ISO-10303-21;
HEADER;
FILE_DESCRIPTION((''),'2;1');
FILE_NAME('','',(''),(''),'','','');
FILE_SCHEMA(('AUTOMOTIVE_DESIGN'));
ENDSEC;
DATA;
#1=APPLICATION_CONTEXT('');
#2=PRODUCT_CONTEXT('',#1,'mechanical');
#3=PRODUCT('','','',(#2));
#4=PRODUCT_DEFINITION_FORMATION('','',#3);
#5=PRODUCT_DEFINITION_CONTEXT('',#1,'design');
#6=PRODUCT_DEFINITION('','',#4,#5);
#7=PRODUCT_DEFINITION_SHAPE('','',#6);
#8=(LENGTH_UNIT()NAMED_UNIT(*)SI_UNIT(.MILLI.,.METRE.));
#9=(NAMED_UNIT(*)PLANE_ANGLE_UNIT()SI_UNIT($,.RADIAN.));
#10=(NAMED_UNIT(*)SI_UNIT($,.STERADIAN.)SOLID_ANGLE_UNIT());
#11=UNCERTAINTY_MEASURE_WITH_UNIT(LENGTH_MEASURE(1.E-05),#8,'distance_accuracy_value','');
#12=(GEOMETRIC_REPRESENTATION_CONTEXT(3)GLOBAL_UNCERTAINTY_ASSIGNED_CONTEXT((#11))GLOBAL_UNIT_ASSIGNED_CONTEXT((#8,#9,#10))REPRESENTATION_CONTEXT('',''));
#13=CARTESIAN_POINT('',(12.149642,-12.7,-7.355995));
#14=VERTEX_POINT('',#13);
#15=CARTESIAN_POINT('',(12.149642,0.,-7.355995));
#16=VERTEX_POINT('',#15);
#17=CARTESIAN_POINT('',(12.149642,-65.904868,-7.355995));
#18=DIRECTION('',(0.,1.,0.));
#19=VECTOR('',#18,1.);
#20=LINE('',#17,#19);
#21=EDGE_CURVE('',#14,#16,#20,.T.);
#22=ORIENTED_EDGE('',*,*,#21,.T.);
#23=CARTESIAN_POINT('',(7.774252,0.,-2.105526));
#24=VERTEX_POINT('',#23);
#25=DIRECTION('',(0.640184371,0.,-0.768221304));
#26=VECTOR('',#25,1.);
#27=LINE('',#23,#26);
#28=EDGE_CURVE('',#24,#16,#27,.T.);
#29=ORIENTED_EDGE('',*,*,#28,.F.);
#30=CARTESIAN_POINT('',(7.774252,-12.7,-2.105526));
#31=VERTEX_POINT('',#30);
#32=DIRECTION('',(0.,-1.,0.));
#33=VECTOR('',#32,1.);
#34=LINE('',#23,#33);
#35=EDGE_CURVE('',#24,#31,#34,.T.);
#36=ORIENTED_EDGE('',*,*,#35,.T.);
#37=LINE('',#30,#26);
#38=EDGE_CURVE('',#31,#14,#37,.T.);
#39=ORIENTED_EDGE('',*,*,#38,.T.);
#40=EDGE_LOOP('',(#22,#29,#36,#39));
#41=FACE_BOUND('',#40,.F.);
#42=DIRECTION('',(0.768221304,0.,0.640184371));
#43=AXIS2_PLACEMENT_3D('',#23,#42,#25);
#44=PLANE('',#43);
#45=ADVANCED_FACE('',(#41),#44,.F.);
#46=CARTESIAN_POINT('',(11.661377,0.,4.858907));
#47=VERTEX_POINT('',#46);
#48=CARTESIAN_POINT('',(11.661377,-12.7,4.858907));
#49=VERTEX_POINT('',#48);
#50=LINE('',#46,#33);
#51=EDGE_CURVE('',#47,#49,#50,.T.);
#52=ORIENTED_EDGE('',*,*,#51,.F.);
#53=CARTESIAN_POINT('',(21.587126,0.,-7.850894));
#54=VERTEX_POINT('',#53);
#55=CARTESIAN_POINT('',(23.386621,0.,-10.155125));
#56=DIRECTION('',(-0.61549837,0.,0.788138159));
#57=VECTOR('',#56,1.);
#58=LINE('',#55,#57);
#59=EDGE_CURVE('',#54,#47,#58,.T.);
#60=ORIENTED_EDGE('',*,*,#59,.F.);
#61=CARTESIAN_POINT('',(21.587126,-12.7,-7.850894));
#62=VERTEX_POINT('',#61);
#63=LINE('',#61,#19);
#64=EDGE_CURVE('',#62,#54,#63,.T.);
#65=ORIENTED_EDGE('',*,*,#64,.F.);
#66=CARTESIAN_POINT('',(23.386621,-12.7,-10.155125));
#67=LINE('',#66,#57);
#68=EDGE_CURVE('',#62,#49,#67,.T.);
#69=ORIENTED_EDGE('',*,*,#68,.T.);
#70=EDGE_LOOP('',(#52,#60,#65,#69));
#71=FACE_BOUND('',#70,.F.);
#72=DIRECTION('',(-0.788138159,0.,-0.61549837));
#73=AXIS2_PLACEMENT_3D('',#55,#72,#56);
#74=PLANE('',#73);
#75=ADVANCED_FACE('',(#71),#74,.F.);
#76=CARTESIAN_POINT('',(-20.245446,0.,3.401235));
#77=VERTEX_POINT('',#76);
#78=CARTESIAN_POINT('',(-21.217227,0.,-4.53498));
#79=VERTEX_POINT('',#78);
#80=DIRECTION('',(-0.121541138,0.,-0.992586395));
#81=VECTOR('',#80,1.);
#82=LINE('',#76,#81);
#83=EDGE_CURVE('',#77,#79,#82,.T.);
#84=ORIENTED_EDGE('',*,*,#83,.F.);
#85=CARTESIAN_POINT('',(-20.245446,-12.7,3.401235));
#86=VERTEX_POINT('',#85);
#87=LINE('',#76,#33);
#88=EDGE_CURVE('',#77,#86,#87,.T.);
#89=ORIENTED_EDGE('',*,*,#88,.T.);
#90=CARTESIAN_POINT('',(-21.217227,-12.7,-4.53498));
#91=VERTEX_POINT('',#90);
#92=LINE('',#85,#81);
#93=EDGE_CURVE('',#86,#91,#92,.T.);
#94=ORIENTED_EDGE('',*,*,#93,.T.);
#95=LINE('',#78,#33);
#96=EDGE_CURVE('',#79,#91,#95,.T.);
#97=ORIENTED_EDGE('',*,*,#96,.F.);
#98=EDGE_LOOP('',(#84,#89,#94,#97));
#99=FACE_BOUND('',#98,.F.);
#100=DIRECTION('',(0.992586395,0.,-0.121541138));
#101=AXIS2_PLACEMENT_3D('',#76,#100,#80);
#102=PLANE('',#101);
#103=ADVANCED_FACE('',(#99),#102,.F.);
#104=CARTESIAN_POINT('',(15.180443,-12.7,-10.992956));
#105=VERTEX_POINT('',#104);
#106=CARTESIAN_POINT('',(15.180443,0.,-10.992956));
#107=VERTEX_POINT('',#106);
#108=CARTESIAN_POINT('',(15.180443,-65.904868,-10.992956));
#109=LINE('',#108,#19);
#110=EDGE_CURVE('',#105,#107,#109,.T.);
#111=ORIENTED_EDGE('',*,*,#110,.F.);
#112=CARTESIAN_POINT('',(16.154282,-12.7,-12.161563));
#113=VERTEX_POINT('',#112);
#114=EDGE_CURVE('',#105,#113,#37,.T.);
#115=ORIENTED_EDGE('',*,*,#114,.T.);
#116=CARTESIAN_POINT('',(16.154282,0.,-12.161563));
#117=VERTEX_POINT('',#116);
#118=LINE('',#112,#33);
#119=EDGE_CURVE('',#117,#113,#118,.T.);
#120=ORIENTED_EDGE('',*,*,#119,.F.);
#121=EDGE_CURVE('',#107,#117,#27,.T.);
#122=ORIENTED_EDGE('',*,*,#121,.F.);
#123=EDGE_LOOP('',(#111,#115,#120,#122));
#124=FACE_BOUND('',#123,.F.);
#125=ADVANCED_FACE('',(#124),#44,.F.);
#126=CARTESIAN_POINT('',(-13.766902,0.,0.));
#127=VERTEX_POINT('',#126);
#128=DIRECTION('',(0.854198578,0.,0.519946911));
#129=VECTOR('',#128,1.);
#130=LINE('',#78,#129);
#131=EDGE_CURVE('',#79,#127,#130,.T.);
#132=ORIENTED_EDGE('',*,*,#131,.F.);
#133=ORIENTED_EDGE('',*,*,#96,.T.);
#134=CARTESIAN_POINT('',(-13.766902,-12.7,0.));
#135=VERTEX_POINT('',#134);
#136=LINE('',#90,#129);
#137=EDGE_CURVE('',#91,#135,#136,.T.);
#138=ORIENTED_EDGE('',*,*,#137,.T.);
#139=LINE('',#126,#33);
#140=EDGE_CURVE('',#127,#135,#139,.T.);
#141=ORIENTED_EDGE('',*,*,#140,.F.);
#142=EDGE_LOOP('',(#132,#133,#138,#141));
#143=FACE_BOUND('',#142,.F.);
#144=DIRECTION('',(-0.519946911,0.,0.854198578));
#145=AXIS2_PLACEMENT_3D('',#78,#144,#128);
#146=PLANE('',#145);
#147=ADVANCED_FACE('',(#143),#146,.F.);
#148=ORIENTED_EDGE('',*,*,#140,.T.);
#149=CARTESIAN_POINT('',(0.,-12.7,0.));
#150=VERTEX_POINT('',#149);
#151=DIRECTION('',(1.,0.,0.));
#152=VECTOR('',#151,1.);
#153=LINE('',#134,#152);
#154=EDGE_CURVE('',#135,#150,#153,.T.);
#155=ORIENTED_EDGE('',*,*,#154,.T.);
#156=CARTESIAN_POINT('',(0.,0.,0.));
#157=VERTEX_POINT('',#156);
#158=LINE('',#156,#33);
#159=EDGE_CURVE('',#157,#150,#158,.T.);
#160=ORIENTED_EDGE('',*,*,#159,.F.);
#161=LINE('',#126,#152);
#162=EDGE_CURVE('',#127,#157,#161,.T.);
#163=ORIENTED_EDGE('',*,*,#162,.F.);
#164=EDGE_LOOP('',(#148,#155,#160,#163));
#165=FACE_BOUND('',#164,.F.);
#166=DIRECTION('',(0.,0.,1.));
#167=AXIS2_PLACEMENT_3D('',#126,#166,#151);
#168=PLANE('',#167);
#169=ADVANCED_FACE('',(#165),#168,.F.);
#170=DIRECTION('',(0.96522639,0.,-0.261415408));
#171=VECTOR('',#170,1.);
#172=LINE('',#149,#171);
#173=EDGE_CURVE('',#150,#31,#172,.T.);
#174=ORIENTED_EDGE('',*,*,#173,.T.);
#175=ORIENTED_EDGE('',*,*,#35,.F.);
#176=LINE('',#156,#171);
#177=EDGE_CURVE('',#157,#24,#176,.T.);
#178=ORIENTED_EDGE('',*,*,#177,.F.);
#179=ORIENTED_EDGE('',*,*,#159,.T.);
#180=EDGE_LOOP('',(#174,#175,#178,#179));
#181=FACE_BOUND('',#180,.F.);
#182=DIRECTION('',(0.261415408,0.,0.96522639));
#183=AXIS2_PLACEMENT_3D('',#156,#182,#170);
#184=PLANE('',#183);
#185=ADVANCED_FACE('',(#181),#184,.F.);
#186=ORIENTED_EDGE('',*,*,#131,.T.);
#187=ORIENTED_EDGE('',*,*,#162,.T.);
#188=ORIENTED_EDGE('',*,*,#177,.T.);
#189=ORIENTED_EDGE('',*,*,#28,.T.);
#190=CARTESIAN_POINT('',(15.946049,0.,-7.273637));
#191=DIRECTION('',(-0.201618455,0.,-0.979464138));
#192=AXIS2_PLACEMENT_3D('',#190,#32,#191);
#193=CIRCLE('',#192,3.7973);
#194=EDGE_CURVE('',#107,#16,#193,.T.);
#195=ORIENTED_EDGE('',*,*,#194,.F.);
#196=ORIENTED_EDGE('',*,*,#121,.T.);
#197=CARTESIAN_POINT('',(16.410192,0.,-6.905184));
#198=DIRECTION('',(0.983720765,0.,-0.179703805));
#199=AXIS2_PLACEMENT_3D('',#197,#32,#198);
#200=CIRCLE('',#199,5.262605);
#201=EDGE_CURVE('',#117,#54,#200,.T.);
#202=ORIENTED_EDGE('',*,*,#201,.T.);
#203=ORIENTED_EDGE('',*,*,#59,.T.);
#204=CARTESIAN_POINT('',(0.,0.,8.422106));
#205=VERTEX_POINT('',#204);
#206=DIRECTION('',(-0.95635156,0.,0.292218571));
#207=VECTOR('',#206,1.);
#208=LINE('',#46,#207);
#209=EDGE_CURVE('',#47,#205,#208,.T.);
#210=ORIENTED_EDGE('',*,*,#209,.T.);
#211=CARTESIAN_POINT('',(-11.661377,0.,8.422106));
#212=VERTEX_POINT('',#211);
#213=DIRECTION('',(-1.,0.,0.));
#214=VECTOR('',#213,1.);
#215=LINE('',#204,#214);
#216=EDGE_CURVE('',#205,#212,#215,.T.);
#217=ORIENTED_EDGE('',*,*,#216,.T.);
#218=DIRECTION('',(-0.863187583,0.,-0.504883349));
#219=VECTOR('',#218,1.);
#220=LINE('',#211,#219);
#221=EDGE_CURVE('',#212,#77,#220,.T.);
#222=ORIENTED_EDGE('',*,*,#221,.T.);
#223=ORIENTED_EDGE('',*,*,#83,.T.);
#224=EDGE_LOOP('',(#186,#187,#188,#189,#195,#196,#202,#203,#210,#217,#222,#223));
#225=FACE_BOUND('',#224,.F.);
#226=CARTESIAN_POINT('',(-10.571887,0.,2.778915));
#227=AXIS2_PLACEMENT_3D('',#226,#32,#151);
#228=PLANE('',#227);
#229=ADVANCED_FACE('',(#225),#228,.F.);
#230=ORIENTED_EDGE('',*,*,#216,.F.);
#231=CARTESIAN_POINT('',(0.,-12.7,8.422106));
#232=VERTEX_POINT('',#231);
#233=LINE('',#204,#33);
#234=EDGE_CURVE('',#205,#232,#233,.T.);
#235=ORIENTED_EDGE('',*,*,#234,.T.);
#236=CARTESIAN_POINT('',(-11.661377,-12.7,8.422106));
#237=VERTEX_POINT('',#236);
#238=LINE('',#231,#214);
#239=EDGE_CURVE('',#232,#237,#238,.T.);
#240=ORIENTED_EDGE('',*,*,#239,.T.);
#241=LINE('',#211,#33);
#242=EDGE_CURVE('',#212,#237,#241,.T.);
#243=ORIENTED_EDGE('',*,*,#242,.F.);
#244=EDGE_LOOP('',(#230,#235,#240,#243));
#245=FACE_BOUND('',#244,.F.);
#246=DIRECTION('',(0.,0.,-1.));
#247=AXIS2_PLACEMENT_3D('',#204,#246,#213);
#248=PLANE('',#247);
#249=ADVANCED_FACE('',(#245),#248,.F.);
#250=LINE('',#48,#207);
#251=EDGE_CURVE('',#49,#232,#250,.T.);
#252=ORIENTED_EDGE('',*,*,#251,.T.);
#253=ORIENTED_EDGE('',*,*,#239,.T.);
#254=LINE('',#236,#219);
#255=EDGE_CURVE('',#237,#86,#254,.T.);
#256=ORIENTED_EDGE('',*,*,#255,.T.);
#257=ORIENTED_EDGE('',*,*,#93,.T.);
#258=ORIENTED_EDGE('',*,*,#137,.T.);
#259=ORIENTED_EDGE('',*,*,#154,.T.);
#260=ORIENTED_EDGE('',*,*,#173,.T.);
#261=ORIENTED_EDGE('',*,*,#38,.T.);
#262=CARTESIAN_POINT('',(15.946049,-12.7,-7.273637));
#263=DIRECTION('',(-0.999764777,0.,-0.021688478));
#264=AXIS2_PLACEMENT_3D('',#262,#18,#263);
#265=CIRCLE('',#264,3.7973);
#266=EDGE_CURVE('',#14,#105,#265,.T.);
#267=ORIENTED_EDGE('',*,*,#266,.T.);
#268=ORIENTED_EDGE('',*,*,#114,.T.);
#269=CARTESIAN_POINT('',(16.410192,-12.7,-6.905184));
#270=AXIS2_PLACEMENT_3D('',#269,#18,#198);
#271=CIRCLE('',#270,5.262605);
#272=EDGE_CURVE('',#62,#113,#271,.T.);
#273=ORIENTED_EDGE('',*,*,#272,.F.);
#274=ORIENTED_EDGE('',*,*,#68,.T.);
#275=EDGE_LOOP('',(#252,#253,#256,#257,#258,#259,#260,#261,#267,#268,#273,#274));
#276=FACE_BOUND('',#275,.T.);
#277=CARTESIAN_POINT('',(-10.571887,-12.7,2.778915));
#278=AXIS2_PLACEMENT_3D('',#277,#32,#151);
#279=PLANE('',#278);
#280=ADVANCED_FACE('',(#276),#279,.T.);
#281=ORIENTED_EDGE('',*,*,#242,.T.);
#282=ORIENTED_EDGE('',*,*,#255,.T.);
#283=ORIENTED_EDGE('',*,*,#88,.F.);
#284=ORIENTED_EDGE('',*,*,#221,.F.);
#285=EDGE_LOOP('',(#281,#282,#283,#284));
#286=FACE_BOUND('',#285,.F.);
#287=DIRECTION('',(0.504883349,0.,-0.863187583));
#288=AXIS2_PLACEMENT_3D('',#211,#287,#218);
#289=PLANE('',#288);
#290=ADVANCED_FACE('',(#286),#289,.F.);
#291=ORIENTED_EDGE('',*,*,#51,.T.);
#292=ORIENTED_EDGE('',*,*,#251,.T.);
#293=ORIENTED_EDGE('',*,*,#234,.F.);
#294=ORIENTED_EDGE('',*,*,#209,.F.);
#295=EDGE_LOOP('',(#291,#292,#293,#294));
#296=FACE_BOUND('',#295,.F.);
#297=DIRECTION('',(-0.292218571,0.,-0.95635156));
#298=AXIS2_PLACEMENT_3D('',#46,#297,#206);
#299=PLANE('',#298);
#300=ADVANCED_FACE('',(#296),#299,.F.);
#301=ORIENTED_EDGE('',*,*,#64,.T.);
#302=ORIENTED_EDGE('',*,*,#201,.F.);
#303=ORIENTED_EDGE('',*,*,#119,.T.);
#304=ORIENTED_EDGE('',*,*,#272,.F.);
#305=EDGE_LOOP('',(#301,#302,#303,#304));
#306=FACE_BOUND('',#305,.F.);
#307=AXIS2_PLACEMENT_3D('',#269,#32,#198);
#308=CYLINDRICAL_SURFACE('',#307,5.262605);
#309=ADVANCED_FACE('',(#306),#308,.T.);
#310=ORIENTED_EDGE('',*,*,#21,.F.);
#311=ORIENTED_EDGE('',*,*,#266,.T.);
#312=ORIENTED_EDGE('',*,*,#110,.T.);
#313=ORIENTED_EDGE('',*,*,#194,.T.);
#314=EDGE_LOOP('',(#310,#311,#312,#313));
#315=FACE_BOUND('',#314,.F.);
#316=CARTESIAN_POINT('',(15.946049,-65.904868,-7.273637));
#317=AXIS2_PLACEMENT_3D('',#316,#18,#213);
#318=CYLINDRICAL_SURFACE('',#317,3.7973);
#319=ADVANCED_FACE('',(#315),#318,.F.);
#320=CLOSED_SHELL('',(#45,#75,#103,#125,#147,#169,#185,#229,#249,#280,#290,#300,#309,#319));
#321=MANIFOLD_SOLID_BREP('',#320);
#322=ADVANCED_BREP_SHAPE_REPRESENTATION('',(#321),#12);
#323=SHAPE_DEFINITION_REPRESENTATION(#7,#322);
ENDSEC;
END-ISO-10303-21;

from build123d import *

# Parameters (mm, degrees)
F1_DEPTH = 12.7
F3_D     = 7.5946
F5_DEPTH = 25.4


with BuildPart() as f1:
    # F0 (on Front) → F1 (new body)
    with BuildSketch(Plane.XZ):
        Polygon((-13.766902, 0), (0, 0), (0, 8.422106), (-11.661377, 8.422106), (-20.245446, 3.401235), (-21.217227, -4.53498), align=None)
        Polygon((0, 8.422106), (0, 0), (7.774252, -2.105526), (20.731336, -17.654028), (23.386621, -10.155125), (11.661377, 4.858907), align=None)
    extrude(amount=F1_DEPTH)

    # F3 (through all)
    with Locations(Plane.XZ.offset(12.7)):
        with Locations((15.946049, -7.273637)):
            Hole(F3_D / 2)

    # F4 (on face) → F5 (cut)
    with BuildSketch(Plane.XZ.offset(12.7)):
        with BuildLine():
            ThreePointArc((21.587126, -7.850894), (19.681214, -11.027735), (16.154281, -12.161563))
            Line((16.154281, -12.161563), (20.731336, -17.654028))
            Line((20.731336, -17.654028), (23.386621, -10.155125))
            Line((23.386621, -10.155125), (21.587126, -7.850894))
        make_face()
    extrude(amount=-F5_DEPTH, mode=Mode.SUBTRACT)


solid = f1.part
